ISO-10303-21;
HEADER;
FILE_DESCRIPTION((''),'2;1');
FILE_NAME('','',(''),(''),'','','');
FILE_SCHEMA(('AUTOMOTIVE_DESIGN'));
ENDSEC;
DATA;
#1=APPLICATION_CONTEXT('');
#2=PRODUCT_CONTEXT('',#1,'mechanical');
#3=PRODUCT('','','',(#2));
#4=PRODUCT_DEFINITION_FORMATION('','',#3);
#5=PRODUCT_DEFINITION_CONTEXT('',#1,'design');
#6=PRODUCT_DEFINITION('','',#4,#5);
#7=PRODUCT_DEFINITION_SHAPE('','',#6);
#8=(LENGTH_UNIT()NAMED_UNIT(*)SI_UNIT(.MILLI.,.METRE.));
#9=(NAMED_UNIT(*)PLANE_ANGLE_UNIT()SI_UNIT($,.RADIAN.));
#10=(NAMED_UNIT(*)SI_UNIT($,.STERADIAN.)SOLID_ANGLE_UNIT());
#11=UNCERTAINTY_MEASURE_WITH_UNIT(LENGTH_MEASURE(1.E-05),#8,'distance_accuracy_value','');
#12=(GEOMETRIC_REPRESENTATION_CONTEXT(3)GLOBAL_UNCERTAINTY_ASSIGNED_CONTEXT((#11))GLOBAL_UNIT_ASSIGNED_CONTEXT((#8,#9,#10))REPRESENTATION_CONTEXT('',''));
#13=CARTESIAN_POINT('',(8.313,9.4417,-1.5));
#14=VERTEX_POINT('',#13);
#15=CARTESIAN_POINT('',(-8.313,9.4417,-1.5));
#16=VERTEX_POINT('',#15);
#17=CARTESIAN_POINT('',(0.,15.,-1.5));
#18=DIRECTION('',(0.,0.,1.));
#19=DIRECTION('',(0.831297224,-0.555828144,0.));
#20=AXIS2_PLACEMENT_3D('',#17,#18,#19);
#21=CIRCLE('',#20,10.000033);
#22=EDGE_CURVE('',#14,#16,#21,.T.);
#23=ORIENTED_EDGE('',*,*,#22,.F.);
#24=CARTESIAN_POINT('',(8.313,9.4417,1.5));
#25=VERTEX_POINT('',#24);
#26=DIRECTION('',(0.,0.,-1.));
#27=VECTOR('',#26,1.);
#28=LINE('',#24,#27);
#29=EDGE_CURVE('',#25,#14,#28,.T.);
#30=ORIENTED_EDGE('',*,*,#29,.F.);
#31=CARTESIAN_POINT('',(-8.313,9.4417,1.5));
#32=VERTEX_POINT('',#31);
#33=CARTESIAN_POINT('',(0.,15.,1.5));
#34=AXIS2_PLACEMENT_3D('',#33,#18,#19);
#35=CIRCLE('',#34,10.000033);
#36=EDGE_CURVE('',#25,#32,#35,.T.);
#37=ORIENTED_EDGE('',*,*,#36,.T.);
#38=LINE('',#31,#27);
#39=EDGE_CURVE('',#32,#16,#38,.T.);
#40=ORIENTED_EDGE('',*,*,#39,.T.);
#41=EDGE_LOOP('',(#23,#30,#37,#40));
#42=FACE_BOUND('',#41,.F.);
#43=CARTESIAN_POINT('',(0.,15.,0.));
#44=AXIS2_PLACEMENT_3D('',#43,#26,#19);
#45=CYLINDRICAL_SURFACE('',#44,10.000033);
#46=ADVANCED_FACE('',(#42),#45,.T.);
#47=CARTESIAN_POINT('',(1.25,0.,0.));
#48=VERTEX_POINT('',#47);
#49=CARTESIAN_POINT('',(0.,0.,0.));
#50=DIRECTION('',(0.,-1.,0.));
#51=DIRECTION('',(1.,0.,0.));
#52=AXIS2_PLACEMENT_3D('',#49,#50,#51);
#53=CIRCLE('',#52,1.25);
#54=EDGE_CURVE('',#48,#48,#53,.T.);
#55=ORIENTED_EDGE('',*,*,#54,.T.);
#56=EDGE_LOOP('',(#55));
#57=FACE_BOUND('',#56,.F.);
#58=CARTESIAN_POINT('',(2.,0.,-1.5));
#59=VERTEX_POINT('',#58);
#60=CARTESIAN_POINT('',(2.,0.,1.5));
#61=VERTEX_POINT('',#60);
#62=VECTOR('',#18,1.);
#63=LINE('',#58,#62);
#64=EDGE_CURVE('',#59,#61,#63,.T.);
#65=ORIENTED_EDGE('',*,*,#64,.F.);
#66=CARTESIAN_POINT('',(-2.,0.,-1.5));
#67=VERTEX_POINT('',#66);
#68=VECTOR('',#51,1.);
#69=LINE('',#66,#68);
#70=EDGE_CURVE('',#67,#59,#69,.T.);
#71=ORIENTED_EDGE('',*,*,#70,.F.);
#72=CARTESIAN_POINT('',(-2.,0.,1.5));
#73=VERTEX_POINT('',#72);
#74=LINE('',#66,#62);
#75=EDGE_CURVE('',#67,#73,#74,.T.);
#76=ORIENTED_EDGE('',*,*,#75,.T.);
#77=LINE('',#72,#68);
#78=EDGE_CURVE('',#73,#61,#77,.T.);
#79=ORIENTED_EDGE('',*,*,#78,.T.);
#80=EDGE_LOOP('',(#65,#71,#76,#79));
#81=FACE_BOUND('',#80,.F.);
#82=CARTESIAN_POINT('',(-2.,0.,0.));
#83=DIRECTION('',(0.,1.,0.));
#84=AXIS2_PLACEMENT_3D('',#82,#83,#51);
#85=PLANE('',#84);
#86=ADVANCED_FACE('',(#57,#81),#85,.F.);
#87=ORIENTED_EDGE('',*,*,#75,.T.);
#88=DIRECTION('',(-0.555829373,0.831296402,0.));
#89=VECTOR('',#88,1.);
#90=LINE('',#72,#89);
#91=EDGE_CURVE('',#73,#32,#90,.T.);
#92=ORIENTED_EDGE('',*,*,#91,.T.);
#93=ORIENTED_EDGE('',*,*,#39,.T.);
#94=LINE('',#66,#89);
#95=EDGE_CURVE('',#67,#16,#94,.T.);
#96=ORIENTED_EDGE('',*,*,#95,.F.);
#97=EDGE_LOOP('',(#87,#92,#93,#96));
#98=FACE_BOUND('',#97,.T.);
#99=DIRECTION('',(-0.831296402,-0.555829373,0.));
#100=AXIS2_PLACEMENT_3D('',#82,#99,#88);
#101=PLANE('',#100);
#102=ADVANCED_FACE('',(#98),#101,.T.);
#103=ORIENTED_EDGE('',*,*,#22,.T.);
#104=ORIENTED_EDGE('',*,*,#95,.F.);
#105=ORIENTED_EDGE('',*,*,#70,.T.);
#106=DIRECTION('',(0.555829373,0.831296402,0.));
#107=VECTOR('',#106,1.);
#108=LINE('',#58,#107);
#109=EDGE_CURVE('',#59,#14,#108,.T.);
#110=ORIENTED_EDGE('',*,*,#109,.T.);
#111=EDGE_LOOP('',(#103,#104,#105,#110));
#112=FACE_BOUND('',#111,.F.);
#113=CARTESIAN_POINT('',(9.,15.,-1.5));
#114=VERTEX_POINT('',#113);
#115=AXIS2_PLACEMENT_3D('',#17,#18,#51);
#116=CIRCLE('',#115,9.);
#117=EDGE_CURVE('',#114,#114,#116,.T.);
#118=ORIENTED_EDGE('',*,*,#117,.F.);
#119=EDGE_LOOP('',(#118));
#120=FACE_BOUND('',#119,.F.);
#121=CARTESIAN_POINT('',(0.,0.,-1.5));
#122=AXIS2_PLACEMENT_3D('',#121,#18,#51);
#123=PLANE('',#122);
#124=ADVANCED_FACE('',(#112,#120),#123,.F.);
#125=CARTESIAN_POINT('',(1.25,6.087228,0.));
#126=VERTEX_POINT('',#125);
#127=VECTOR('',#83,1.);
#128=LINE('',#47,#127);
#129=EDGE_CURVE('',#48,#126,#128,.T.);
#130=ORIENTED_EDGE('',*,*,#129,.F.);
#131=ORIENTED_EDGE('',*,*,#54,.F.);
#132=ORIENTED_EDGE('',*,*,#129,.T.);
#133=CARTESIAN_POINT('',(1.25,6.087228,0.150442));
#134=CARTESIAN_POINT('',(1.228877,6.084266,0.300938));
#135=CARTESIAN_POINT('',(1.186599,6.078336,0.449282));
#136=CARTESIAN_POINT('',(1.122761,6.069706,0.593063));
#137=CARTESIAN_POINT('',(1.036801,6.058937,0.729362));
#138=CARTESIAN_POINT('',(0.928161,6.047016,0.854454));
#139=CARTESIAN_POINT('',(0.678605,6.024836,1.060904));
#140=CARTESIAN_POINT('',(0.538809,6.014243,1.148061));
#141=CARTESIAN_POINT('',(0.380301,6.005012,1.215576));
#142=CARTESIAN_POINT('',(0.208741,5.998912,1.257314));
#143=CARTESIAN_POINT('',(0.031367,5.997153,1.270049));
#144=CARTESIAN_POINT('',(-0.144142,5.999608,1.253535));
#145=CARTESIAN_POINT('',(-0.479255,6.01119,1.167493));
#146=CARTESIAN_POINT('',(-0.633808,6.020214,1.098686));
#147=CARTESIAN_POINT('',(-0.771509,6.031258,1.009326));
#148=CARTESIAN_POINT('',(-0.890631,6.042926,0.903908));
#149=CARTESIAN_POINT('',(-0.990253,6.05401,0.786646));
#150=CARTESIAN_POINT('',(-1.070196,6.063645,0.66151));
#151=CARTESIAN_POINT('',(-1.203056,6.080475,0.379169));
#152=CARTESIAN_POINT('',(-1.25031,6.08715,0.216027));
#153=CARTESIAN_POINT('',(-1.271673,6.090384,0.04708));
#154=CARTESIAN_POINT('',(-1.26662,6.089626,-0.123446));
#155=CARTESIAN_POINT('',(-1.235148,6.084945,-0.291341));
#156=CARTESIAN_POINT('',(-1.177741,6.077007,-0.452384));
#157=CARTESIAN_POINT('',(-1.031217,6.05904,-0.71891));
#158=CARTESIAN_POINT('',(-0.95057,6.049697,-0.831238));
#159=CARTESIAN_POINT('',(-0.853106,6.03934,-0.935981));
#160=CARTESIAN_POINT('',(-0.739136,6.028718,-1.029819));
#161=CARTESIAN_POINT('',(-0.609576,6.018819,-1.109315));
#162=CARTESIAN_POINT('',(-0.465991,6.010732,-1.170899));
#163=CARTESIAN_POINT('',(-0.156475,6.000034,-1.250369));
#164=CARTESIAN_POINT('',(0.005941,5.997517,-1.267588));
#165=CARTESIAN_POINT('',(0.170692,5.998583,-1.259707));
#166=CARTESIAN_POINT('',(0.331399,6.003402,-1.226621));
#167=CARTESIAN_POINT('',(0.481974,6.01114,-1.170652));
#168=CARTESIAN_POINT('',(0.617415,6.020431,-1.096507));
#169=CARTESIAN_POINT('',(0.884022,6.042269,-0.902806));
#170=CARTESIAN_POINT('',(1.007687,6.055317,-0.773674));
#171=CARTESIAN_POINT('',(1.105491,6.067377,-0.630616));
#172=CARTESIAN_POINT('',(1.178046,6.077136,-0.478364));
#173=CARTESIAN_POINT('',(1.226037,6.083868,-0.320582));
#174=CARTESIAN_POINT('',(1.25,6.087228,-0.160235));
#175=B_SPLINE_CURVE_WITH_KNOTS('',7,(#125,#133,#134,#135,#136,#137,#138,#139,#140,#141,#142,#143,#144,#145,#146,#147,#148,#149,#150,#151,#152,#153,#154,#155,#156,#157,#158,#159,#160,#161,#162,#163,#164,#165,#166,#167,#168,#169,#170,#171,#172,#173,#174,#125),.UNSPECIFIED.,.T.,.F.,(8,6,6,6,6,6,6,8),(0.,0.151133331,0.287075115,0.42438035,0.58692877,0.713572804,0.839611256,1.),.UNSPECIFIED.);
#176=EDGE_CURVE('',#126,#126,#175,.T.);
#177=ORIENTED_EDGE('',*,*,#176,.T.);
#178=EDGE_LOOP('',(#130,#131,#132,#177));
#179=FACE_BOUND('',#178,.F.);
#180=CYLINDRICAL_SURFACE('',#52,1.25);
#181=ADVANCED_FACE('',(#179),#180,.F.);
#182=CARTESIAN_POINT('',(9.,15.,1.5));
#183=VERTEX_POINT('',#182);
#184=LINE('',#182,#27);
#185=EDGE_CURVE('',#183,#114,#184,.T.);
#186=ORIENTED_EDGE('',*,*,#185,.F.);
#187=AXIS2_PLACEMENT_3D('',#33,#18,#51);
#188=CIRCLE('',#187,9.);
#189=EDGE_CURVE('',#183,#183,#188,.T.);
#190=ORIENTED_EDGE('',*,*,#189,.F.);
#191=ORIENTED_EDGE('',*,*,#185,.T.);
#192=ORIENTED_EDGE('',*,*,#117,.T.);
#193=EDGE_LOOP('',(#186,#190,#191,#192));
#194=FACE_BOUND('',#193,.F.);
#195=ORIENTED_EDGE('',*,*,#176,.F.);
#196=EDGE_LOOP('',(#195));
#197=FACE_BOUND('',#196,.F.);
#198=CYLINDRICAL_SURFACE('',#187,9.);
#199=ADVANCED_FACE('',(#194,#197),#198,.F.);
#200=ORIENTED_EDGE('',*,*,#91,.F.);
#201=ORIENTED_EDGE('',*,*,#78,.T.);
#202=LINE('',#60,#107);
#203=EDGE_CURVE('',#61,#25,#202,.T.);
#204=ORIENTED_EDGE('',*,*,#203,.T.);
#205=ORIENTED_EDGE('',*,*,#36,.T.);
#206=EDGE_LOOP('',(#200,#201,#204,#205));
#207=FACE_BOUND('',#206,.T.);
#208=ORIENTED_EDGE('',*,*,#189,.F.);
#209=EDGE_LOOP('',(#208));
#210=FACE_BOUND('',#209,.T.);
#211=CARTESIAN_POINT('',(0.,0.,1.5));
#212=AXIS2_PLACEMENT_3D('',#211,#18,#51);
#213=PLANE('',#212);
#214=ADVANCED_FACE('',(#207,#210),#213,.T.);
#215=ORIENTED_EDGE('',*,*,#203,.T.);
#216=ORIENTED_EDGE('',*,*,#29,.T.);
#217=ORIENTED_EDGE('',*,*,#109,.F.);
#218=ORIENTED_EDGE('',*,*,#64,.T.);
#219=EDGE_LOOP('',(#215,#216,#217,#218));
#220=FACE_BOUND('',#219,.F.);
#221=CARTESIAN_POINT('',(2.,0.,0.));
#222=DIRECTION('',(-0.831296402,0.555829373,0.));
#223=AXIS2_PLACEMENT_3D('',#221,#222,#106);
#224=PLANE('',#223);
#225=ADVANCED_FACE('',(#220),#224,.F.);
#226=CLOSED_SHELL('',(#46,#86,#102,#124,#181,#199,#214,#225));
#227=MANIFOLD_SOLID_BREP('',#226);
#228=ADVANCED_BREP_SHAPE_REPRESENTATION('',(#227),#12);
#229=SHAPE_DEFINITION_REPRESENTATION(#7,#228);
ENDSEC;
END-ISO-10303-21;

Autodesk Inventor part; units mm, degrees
ref_plane "YZ Plane" through (0, 0, 0) normal (1, 0, 0) x (0, 1, 0)
ref_plane "XZ Plane" through (0, 0, 0) normal (0, 1, 0) x (-1, 0, 0)
ref_plane "XY Plane" through (0, 0, 0) normal (0, 0, 1) x (1, 0, 0)
sketch "Sketch1" plane through (0, 0, 0) normal (0, 0, 1) x (1, 0, 0)
  line L0 (-2, 0) -> (2, 0)
  arc A0 (8.313, 9.4417) -> (-8.313, 9.4417) centre (0, 15) ccw
  line L1 (-2, 0) -> (-8.313, 9.4417)
  line L2 (2, 0) -> (8.313, 9.4417)
  line L3 (0, 0) -> (0, 7.2801) construction
  point P0 (0, 3.6401)
  dimension "d0" = 20
  dimension "d1" = 4
  dimension "d2" = 15
extrude "Extrusion1" add sketch "Sketch1" along normal mid plane 3
sketch "Sketch2" plane through (0, 0, 1.5) normal (0, 0, 1) x (1, 0, 0)
  circle A0 centre (0, 15) radius 9
  arc A1 (8.313, 9.4417) -> (-8.313, 9.4417) centre (0, 15) ccw projected
  point P0 (0, 0)
  dimension "d5" = 18
extrude "Extrusion2" cut sketch "Sketch2" against normal blind 3
sketch "Sketch3" plane through (-2, 0, 1.5) normal (0, -1, 0) x (1, 0, 0)
  circle A0 centre (2, -1.5) radius 1.25
  dimension "d8" = 2.5
extrude "Extrusion3" cut sketch "Sketch3" against normal up to surface
properties part number "21"
